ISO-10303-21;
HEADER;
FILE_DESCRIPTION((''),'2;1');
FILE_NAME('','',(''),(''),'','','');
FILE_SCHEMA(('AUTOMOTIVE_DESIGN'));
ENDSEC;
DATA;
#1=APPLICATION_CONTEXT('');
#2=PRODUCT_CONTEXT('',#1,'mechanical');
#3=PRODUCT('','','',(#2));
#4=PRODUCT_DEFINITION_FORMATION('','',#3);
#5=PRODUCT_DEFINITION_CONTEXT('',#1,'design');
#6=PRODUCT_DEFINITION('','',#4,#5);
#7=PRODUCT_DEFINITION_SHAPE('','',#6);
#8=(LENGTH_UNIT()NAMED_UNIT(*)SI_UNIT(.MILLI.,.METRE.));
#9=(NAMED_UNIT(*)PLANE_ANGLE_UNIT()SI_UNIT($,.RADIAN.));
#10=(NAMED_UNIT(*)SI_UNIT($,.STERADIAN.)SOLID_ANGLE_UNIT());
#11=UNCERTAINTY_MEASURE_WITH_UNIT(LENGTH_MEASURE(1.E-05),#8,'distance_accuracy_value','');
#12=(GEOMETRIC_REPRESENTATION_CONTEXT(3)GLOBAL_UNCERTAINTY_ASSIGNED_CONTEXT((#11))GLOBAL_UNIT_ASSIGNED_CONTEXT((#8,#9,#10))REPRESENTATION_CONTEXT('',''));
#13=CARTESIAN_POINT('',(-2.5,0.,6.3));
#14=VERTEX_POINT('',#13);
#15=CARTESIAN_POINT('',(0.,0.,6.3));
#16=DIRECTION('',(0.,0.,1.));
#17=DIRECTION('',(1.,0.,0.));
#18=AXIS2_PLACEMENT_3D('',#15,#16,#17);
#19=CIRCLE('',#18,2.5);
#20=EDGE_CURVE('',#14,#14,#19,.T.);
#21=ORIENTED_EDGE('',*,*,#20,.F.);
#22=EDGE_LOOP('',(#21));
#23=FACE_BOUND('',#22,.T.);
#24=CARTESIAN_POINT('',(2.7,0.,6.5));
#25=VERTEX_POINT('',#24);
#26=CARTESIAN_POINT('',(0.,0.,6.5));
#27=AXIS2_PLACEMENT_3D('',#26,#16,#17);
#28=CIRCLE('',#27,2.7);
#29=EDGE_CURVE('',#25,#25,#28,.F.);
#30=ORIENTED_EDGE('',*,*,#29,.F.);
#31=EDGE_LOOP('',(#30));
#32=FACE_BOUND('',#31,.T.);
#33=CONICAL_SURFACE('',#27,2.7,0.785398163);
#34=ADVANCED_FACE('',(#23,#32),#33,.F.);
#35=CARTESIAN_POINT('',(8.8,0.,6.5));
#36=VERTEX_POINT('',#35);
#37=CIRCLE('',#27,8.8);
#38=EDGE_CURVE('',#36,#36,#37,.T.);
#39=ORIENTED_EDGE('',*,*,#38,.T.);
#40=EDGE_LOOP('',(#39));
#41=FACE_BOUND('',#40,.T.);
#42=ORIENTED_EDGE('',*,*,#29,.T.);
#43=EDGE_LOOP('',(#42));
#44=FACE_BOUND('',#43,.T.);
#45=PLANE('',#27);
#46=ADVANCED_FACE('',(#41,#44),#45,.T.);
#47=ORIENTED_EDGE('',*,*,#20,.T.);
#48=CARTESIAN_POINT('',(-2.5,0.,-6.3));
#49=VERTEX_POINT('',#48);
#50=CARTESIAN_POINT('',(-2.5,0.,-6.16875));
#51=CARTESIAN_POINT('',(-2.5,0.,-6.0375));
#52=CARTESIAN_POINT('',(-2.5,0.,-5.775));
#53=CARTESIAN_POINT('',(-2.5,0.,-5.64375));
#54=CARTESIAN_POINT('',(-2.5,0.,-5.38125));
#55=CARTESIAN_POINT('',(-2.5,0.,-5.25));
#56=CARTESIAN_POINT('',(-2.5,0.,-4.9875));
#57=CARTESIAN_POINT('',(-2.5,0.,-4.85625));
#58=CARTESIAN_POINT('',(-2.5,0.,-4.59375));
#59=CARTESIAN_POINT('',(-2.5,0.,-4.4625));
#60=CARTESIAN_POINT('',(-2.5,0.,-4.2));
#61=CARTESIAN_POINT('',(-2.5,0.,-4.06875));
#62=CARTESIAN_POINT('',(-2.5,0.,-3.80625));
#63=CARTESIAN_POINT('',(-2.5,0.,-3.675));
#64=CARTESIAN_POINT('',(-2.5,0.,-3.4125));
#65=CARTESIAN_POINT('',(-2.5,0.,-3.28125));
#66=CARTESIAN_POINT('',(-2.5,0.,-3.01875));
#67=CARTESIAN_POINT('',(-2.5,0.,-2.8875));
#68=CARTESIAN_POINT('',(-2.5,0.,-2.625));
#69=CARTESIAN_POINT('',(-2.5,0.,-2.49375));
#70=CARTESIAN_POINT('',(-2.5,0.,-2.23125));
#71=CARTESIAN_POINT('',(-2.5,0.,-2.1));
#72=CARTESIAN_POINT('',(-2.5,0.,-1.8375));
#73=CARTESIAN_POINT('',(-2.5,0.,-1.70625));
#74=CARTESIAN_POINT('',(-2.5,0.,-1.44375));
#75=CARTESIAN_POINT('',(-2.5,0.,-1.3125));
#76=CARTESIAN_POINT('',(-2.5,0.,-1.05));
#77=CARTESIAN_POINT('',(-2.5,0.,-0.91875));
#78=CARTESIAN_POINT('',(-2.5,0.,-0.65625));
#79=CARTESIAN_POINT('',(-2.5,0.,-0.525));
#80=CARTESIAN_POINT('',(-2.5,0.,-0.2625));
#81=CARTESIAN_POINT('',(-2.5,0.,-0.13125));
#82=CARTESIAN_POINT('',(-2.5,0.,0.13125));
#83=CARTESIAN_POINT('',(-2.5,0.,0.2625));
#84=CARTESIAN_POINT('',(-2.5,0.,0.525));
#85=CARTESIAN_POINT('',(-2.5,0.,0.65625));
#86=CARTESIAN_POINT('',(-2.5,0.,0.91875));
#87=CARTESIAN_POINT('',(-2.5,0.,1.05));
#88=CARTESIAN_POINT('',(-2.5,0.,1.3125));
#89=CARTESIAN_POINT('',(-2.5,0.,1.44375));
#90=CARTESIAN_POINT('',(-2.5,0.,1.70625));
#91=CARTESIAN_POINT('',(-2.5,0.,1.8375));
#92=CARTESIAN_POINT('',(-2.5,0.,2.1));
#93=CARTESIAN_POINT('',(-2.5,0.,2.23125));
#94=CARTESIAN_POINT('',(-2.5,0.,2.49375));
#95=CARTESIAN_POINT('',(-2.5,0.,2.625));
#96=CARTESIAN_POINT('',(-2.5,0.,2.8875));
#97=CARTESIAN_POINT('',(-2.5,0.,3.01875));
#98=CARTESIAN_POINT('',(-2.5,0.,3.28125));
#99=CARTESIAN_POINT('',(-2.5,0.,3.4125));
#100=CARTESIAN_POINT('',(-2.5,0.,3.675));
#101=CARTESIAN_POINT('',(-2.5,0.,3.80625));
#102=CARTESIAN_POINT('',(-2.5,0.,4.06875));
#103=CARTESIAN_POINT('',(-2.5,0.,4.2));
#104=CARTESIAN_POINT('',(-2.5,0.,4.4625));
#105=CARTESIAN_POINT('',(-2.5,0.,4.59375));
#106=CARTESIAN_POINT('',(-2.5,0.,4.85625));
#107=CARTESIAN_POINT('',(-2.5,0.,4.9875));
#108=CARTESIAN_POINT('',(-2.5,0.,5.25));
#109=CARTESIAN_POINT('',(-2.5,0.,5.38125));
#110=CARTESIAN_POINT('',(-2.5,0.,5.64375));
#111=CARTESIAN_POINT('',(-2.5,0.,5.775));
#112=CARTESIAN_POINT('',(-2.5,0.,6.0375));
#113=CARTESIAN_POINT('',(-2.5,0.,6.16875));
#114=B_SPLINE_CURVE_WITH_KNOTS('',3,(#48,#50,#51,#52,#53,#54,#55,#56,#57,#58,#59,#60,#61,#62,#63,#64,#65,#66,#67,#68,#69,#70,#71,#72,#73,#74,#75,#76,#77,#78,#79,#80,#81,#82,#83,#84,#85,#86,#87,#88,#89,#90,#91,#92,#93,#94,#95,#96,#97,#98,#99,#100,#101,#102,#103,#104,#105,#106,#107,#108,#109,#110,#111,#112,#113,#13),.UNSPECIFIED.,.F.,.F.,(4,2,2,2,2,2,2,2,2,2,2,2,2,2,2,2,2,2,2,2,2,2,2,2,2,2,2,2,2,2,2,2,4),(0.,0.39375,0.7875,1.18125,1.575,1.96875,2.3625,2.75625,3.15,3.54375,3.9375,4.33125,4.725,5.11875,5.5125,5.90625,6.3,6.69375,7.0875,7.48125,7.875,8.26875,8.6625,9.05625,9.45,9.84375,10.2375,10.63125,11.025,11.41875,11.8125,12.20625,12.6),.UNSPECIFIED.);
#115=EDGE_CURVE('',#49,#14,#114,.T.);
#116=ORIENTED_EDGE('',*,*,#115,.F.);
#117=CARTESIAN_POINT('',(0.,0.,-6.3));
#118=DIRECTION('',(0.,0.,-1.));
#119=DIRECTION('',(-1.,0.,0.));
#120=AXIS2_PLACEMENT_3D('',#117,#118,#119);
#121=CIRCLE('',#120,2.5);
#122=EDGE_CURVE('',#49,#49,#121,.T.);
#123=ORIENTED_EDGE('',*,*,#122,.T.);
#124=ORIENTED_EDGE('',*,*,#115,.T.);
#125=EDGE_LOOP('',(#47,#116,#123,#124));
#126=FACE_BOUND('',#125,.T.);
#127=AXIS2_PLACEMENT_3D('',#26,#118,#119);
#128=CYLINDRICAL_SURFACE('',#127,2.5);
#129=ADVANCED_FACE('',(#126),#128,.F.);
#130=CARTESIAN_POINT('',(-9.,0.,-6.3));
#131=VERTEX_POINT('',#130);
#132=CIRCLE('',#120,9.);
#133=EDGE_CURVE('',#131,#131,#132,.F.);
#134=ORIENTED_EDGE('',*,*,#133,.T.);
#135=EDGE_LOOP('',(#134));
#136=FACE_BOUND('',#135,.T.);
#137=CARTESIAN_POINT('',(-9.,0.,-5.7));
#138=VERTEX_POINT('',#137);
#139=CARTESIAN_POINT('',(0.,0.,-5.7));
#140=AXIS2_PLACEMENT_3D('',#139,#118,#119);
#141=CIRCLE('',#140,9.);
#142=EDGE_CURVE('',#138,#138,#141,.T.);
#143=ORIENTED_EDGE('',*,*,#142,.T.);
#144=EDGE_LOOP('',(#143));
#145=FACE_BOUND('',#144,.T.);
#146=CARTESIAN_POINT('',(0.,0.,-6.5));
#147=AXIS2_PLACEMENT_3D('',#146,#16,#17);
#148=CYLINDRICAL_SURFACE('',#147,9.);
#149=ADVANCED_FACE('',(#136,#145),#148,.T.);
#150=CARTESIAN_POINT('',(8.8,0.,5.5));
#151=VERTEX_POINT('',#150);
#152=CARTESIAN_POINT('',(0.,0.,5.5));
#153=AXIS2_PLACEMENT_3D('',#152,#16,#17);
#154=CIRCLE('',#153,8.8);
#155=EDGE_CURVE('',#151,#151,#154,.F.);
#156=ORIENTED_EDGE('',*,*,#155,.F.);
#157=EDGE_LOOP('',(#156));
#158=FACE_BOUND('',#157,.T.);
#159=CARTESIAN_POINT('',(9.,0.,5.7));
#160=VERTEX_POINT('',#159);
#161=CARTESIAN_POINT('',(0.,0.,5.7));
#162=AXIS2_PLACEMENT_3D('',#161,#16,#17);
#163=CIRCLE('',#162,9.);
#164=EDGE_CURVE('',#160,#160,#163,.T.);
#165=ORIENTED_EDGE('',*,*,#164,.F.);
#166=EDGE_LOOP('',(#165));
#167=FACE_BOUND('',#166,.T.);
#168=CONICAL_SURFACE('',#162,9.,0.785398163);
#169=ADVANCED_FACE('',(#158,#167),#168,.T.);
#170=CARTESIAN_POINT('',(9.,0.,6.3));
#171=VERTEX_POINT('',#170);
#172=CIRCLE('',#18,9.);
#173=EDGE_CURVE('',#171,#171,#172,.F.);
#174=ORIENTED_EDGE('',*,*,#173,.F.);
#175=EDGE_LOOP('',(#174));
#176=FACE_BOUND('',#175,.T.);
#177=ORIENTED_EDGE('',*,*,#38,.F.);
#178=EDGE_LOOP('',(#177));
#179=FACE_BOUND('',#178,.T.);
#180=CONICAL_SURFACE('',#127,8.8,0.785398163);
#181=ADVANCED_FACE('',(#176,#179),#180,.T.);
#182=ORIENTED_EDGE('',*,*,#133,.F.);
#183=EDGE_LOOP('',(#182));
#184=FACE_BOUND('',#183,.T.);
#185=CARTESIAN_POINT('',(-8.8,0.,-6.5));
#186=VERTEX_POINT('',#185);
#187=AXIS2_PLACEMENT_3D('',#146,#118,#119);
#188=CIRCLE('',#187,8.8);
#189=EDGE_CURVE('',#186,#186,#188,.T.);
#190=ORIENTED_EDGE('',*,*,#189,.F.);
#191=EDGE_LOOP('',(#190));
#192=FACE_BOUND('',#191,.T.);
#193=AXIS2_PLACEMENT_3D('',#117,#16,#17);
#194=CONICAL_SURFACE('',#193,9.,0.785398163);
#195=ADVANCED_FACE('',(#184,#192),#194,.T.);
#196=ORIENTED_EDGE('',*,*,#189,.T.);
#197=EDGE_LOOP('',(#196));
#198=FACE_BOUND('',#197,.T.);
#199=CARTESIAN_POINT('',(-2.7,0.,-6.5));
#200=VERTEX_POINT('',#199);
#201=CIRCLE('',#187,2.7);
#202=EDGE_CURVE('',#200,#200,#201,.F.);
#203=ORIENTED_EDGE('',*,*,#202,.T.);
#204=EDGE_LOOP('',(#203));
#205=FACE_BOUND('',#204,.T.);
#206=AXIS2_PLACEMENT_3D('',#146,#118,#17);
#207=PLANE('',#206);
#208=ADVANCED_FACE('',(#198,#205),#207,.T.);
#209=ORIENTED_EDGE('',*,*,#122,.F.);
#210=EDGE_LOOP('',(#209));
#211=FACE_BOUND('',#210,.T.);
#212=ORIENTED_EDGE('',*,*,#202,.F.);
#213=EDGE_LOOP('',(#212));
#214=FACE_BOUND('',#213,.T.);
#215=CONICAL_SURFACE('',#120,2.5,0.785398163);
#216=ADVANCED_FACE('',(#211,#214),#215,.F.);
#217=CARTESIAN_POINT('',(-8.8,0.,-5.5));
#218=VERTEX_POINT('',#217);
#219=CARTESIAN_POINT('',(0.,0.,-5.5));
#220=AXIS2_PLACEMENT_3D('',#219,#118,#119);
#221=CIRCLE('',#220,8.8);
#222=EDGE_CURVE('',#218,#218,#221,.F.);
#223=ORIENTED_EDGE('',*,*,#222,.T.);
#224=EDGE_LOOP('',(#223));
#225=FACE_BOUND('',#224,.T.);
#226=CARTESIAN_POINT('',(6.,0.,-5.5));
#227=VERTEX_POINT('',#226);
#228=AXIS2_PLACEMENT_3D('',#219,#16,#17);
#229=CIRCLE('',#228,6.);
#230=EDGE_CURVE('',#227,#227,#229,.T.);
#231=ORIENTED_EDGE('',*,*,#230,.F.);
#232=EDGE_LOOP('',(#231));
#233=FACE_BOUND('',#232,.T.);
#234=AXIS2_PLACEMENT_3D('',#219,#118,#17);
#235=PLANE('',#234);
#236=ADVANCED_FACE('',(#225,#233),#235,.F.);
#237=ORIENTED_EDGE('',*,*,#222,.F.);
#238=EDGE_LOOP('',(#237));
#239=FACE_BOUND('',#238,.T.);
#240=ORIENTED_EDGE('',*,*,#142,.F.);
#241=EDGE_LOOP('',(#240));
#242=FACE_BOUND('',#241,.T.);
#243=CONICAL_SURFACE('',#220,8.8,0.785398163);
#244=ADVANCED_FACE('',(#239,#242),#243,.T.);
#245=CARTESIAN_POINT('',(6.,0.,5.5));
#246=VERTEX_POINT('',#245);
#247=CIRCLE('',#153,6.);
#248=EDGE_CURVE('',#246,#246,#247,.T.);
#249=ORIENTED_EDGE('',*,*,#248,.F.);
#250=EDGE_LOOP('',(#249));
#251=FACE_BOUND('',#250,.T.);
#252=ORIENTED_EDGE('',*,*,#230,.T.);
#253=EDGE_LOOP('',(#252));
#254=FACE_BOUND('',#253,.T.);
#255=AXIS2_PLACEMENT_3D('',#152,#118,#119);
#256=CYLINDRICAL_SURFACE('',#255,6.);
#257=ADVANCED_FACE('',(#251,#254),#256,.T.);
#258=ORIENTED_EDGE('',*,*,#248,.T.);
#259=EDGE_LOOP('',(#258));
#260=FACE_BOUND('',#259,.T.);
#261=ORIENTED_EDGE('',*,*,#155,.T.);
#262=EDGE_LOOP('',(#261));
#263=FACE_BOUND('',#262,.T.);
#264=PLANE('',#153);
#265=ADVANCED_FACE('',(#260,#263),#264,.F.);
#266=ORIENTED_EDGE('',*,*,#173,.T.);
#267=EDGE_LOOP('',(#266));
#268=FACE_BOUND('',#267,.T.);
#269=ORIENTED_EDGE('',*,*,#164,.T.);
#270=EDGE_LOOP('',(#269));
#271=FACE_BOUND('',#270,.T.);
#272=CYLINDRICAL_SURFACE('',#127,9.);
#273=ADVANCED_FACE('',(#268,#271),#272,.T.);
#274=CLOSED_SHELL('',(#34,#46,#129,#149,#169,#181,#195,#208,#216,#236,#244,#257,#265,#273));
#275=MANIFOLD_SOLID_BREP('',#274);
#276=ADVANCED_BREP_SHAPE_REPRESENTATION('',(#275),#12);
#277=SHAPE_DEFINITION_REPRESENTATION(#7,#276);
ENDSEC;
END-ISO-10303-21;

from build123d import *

# Parameters (mm, degrees)
SKIZZE1_R                       = 6
AUFSATZ_LINEAR_AUSTRAGEN1_DEPTH = 5.5
SKIZZE2_R                       = 9
AUFSATZ_LINEAR_AUSTRAGEN2_DEPTH = 1
SKIZZE3_R                       = 2.5
SCHNITT_LINEAR_AUSTRAGEN1_DEPTH = 19.193405399
FASE1_SIZE                      = 0.2


with BuildPart() as part:
    # Skizze1 → Aufsatz-Linear austragen1 (new, symmetric)
    with BuildSketch(Plane.XY):
        Circle(SKIZZE1_R)
    extrude(amount=AUFSATZ_LINEAR_AUSTRAGEN1_DEPTH, both=True)

    # Skizze2 → Aufsatz-Linear austragen2 (add)
    with BuildSketch(Plane.XY.offset(5.5)):
        Circle(SKIZZE2_R)
    aufsatz_linear_austragen2 = extrude(amount=AUFSATZ_LINEAR_AUSTRAGEN2_DEPTH)

    # Spiegeln1: Aufsatz-Linear austragen2 across plane
    add(aufsatz_linear_austragen2.mirror(Plane.XY))

    # Skizze3 → Schnitt-Linear austragen1 (cut, through all)
    with BuildSketch(Plane(origin=(0, 0, -6.5), x_dir=(-1, 0, 0), z_dir=(0, 0, -1))):
        Circle(SKIZZE3_R)
    extrude(amount=-SCHNITT_LINEAR_AUSTRAGEN1_DEPTH, mode=Mode.SUBTRACT)

    # Fase1
    fase1_edges = [part.edges().sort_by_distance(p)[0] for p in [
        (-9, 0, -5.5),
        (2.5, 0, 6.5),
        (2.5, 0, -6.5),
        (-9, 0, 5.5),
        (-9, 0, 6.5),
        (-9, 0, -6.5),
    ]]
    chamfer(fase1_edges, length=FASE1_SIZE)


solid = part.part
